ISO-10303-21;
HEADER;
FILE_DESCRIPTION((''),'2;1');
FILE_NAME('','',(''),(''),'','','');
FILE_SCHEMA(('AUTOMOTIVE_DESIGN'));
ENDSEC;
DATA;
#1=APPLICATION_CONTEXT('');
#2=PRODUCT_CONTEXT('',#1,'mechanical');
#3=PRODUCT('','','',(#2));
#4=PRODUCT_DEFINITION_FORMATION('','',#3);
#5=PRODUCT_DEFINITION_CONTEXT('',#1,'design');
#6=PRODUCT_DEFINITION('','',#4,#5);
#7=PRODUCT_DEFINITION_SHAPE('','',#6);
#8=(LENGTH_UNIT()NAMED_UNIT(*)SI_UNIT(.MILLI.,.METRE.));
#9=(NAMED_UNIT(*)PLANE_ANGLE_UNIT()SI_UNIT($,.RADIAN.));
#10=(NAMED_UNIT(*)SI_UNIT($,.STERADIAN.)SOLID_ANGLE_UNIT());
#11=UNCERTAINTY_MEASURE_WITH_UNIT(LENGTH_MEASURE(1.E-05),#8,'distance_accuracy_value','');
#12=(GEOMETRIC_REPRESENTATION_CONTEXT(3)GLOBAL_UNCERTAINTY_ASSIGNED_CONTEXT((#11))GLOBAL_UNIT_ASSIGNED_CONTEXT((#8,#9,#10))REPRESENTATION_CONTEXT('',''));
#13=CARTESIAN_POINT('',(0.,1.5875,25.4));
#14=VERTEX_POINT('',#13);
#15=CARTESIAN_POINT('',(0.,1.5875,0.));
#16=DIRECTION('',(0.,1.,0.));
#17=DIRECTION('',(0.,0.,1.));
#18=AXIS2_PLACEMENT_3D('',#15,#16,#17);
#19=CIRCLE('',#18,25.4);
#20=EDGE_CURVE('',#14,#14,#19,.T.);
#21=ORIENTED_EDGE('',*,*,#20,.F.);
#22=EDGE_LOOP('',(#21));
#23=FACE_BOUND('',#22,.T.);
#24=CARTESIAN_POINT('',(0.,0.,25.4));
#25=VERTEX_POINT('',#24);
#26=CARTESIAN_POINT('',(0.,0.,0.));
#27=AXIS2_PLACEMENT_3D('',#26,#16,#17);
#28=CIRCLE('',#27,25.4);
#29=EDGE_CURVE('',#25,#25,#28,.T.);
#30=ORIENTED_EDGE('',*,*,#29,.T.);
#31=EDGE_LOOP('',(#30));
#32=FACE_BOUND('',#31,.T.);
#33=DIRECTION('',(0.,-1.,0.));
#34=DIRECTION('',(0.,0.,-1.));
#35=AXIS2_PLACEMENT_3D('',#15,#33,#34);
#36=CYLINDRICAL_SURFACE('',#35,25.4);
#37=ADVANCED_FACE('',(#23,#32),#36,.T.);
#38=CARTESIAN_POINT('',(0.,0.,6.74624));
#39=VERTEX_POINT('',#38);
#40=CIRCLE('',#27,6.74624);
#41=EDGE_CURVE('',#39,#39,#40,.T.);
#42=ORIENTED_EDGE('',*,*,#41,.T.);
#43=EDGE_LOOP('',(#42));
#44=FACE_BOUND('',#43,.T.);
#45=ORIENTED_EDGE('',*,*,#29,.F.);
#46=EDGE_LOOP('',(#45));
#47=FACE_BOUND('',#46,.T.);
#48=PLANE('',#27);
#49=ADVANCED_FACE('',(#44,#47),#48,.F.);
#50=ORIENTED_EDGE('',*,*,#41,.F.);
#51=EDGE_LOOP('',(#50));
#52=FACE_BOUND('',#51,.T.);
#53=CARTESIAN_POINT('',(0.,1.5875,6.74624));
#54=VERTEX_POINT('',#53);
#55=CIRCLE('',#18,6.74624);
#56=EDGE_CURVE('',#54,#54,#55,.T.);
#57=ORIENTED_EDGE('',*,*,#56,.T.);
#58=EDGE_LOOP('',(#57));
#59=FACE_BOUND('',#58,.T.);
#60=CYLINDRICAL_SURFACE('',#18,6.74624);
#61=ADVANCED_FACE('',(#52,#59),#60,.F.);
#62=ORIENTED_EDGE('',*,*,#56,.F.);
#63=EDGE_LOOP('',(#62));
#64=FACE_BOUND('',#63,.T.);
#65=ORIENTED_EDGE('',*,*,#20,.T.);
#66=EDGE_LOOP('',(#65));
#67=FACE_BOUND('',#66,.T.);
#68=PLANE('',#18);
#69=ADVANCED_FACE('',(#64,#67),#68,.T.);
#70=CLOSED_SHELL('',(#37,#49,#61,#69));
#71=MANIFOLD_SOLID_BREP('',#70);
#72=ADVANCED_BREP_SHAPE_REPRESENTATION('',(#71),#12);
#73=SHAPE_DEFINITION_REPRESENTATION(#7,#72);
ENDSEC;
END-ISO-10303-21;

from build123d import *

# Parameters (mm, degrees)
SKETCH1_R                         = 25.4
BOSS_EXTRUDE1_DEPTH               = 1.5875
F_1_2_CLEARANCE_HOLE1_D           = 13.49248
F_1_2_CLEARANCE_HOLE1_ON_FACE_2_D = 13.49248


with BuildPart() as part:
    # Sketch1 → Boss-Extrude1 (new body)
    with BuildSketch(Plane(origin=(0, 0, 0), x_dir=(1, 0, 0), z_dir=(0, 1, 0))):
        with Locations(Location((0, 0, 0), (0, 0, 270))):
            Circle(SKETCH1_R)
    extrude(amount=BOSS_EXTRUDE1_DEPTH)

    # 1/2 Clearance Hole1 (through all)
    with Locations(Plane(origin=(0, 0, 0), x_dir=(0, 0, -1), z_dir=(0, -1, 0))):
        with Locations((0, 0)):
            Hole(F_1_2_CLEARANCE_HOLE1_D / 2)

    # 1/2 Clearance Hole1 on face 2 (through all)
    with Locations(Plane.ZX.offset(1.5875)):
        with Locations((0, 0)):
            Hole(F_1_2_CLEARANCE_HOLE1_ON_FACE_2_D / 2)


solid = part.part
